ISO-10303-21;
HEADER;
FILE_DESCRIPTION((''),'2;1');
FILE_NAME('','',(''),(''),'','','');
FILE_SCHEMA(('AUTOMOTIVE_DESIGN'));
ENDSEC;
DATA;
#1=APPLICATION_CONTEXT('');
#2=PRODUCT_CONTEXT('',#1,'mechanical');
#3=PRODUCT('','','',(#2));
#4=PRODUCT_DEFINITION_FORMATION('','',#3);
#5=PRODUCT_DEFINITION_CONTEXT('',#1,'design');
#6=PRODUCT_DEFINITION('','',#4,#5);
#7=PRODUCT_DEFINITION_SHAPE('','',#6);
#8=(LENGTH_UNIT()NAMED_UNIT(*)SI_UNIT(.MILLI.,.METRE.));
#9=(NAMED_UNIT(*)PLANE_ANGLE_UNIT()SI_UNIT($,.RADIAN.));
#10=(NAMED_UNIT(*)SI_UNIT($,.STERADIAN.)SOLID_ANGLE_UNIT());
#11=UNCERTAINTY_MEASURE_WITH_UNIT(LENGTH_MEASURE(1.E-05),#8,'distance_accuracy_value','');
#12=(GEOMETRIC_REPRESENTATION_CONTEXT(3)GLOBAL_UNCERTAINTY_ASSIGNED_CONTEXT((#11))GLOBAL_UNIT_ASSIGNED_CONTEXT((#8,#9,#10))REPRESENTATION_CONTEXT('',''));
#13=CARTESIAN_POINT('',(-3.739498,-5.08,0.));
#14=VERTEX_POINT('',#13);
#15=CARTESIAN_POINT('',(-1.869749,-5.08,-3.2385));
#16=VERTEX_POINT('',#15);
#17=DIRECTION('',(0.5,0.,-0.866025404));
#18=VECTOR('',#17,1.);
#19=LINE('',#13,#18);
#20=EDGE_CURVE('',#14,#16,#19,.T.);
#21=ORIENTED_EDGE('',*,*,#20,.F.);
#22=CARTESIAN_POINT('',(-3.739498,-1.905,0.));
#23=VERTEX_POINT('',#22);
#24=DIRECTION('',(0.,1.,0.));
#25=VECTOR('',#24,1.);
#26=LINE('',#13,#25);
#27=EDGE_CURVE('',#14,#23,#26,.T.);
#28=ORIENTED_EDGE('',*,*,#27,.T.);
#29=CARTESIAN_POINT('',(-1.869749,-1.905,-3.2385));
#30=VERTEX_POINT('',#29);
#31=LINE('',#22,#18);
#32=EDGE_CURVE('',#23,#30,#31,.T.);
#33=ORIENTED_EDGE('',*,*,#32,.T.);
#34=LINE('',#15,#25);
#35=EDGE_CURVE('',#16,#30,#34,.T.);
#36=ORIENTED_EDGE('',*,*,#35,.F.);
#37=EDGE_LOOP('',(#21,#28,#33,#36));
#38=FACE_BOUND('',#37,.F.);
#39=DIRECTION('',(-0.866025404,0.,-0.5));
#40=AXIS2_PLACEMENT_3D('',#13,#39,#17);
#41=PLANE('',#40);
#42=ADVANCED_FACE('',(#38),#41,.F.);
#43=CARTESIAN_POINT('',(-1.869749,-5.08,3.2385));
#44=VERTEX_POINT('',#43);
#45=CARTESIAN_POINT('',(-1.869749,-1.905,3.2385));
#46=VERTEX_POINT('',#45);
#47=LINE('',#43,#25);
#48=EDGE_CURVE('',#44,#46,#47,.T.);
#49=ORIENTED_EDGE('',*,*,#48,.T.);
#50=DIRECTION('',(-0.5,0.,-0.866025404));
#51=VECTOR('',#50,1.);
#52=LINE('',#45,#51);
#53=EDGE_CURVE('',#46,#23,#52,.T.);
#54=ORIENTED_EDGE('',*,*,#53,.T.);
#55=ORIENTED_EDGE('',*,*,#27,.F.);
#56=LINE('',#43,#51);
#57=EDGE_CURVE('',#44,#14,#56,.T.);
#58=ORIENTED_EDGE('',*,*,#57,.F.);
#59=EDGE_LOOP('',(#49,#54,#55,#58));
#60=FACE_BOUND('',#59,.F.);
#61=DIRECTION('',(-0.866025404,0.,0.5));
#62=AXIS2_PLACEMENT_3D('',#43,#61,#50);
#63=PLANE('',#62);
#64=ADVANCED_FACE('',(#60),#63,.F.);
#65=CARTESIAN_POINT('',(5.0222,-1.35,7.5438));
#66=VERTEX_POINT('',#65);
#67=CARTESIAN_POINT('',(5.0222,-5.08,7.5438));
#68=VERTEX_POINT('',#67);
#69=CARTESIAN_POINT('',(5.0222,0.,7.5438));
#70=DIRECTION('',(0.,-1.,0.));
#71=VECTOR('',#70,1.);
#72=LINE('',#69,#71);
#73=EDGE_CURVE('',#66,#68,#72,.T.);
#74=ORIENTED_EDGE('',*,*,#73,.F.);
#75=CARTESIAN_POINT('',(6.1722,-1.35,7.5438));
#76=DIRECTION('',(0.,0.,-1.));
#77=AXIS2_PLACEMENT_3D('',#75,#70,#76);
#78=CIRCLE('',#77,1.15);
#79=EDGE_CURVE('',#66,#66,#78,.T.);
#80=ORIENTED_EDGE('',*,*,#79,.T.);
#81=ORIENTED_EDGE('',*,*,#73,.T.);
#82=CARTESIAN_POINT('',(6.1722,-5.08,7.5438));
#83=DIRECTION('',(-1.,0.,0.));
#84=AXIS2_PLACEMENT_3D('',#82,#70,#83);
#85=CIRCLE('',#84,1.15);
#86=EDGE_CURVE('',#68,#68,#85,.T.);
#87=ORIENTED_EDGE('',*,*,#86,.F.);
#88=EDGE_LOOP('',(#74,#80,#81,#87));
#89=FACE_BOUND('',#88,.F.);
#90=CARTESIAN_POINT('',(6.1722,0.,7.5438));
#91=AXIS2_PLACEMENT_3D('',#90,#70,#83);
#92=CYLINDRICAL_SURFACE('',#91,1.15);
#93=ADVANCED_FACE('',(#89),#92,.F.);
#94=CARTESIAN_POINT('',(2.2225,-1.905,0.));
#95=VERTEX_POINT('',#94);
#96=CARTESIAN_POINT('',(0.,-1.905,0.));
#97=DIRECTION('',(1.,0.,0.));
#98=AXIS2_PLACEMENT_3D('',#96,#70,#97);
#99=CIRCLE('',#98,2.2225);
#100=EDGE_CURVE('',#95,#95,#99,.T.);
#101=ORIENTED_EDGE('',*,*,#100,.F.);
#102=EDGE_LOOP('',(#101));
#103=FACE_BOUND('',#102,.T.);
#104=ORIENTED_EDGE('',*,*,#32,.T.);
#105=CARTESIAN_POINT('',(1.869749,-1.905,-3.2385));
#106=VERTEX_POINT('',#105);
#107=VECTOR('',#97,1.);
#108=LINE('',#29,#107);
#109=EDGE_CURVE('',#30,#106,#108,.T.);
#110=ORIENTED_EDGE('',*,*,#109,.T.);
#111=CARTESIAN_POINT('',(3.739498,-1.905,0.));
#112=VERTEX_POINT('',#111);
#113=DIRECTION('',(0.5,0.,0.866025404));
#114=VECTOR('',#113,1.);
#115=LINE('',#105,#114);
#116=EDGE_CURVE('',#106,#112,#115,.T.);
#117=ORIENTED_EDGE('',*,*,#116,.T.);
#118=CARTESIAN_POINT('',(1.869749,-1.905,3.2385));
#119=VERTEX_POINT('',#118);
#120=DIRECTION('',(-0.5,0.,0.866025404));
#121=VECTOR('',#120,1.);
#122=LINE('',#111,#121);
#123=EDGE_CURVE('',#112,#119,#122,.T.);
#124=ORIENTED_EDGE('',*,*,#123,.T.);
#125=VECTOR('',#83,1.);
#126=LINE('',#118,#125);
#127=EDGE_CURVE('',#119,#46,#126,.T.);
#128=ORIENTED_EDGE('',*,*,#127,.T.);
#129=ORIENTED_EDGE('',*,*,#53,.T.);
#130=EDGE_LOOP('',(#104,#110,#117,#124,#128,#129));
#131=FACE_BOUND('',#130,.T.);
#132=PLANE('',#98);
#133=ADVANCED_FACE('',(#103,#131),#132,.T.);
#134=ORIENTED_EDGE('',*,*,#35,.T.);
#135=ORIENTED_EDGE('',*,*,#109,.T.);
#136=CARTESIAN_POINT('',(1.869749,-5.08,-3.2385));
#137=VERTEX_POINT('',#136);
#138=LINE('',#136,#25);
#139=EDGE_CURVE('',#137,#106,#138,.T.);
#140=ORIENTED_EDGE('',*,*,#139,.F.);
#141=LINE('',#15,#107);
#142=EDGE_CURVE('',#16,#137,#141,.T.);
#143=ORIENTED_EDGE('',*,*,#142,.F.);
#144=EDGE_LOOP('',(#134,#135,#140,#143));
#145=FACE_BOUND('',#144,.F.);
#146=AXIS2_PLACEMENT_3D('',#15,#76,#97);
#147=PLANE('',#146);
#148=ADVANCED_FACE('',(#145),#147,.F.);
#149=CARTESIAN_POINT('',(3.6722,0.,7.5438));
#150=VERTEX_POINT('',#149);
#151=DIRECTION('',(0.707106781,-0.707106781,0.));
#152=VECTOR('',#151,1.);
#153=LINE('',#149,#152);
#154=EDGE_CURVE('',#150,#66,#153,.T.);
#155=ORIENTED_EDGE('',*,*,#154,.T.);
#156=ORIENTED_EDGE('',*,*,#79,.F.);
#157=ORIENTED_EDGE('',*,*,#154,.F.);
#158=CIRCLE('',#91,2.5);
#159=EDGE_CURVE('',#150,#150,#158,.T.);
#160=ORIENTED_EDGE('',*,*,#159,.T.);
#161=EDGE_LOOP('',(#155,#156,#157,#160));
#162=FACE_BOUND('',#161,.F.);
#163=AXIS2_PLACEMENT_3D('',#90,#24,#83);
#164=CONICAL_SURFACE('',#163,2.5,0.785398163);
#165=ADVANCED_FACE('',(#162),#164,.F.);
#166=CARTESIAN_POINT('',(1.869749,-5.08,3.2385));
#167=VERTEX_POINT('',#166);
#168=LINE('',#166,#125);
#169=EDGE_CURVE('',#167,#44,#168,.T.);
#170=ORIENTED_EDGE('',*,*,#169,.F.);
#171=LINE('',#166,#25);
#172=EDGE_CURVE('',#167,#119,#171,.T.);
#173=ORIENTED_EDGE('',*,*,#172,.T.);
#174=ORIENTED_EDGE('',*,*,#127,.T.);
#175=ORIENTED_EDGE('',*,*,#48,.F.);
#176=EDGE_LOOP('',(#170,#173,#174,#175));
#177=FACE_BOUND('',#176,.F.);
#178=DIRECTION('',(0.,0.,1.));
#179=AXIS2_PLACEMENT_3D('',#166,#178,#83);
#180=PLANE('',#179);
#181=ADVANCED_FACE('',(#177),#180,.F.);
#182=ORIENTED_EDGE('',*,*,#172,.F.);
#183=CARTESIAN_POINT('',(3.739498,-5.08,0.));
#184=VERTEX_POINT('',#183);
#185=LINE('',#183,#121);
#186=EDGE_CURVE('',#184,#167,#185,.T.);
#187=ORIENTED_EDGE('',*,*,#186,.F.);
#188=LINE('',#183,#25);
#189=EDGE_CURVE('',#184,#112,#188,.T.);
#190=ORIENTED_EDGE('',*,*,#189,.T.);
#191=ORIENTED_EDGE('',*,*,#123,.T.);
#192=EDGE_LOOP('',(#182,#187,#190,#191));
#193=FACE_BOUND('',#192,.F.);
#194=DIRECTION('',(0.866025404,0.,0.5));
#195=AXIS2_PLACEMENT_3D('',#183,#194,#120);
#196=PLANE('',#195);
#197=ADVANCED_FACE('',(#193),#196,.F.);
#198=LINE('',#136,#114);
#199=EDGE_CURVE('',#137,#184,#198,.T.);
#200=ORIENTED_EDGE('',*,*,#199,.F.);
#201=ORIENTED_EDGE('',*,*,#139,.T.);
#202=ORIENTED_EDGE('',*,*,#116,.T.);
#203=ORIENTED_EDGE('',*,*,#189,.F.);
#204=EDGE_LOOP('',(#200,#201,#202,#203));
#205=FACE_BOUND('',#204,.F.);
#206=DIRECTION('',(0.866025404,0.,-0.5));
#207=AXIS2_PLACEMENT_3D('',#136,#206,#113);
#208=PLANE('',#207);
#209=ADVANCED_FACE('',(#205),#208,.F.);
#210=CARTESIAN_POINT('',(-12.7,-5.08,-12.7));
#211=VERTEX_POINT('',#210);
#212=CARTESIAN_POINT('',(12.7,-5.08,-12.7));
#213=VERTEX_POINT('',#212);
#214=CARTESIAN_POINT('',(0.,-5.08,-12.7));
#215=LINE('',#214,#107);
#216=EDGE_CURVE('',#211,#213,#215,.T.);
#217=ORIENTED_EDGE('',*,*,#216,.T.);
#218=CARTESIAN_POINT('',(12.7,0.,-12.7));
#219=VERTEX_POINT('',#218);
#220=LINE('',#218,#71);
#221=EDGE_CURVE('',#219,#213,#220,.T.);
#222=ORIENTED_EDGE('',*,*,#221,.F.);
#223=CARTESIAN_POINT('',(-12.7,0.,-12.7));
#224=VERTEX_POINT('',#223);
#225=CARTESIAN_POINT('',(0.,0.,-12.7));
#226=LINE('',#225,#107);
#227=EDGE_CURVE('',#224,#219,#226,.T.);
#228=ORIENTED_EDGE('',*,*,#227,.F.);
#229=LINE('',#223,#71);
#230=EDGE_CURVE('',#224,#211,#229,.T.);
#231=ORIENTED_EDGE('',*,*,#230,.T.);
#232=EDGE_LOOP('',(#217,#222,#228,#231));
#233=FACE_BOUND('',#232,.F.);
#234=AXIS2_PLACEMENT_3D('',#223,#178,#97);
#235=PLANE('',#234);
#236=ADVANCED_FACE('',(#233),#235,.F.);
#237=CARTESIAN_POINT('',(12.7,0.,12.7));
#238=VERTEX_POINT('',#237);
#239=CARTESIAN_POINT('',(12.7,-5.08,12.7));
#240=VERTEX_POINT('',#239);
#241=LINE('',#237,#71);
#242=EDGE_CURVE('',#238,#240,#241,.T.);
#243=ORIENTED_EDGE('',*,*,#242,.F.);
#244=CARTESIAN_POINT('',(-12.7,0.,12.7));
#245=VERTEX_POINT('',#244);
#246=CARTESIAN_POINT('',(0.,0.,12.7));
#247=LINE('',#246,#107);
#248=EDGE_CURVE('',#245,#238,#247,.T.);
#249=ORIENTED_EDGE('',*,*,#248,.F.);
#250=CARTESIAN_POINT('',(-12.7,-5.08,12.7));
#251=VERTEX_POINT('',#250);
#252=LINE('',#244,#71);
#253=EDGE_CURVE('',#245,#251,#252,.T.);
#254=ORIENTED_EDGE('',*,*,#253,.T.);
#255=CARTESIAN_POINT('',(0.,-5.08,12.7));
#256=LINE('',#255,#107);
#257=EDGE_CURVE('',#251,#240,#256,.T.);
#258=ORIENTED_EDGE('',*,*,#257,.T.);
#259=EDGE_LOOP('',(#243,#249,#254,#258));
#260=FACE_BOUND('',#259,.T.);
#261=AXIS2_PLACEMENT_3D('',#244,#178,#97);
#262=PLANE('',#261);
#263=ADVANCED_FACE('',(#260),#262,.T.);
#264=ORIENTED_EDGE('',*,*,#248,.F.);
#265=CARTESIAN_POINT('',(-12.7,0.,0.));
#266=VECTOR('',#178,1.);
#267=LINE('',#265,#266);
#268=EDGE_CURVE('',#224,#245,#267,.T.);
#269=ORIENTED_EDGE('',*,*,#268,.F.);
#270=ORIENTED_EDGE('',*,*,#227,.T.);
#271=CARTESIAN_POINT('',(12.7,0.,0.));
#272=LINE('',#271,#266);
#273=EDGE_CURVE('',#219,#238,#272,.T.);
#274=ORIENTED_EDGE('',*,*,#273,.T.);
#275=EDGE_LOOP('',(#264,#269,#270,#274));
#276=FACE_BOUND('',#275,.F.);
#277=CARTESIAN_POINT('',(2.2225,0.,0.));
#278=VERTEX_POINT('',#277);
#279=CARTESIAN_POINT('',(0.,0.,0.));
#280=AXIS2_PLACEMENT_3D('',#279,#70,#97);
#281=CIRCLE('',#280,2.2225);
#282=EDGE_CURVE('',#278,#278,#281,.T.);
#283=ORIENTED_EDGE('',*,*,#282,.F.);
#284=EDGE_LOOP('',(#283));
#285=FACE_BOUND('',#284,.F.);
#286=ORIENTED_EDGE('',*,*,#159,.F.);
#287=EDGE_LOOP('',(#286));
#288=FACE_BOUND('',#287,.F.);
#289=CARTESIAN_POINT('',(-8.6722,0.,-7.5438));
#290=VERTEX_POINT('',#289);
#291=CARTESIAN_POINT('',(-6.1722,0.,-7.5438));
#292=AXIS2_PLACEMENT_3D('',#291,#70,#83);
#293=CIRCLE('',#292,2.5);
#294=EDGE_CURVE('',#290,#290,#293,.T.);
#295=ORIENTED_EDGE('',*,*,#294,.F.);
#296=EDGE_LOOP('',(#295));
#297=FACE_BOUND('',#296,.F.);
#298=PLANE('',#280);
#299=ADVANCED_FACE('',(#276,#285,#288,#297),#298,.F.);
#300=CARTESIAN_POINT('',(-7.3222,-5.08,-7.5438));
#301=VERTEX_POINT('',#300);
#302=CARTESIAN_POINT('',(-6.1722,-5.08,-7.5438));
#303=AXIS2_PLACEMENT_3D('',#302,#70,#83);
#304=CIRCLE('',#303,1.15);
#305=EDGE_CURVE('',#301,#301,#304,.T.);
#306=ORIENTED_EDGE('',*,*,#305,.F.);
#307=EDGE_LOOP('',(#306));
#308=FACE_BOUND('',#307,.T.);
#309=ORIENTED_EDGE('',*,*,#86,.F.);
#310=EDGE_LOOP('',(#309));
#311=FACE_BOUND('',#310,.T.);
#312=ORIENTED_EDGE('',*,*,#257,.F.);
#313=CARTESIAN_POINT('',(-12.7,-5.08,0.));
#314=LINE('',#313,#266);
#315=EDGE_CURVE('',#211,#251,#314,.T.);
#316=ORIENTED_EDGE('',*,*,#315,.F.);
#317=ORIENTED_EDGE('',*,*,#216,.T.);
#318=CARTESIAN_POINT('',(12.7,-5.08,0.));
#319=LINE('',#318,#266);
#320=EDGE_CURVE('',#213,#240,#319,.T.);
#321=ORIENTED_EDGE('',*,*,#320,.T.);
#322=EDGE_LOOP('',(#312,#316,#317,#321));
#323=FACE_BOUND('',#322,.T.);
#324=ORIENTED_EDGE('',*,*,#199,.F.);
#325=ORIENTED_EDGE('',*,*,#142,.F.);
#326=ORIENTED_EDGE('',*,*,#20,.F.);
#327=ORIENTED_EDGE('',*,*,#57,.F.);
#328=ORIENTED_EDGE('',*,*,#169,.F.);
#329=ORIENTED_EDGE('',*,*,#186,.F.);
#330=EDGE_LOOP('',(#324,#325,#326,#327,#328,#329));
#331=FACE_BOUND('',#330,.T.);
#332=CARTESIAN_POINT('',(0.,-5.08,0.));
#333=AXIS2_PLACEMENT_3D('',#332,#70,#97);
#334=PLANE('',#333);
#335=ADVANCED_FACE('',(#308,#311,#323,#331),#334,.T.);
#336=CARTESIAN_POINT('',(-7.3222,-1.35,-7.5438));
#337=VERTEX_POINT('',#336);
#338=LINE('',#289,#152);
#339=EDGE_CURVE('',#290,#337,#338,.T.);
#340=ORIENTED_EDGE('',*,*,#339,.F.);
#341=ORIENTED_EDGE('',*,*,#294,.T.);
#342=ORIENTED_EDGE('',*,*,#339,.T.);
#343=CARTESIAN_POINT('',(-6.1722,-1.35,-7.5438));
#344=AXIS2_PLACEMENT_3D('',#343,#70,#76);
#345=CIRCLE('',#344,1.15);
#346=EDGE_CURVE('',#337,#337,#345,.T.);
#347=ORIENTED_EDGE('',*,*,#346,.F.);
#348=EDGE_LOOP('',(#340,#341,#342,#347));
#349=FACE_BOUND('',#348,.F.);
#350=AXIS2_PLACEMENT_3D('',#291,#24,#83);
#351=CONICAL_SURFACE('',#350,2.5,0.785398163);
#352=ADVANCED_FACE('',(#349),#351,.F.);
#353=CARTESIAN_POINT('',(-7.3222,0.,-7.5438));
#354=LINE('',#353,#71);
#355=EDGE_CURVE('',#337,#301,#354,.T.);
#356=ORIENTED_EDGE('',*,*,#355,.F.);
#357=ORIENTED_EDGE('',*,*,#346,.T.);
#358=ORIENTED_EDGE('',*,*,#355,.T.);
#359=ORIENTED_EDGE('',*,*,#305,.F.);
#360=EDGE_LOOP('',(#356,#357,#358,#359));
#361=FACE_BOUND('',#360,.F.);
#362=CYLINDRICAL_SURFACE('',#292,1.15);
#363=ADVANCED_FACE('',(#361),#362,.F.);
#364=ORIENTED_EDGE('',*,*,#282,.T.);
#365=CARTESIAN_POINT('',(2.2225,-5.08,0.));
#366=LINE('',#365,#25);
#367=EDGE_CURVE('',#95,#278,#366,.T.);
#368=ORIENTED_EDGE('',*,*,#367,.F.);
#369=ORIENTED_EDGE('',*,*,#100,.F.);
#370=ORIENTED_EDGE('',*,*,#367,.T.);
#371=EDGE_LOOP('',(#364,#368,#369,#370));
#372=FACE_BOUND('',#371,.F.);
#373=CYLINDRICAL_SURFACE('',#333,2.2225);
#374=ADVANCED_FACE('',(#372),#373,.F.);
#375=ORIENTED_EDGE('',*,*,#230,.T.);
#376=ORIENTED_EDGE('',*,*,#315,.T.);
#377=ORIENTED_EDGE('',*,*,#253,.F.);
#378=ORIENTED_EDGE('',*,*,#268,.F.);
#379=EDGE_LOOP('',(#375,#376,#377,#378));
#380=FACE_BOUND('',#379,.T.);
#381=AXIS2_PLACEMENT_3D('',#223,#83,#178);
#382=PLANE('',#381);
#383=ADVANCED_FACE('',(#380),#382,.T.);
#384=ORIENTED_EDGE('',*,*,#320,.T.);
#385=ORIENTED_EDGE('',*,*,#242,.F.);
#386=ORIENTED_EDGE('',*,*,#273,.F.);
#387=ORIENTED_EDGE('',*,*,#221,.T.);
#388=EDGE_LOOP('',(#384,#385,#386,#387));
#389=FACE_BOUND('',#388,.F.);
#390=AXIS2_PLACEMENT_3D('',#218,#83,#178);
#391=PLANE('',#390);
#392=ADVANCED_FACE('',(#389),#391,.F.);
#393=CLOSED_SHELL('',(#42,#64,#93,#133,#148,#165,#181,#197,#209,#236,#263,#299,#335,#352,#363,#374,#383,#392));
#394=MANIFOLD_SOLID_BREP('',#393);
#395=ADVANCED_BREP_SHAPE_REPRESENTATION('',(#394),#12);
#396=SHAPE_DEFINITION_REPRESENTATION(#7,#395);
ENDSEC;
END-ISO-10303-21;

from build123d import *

# Parameters (mm, degrees)
F0_W           = 25.4
F0_H           = 25.4
F1_DEPTH       = 5.08
F3_D           = 2.3
F3_CSINK_D     = 5
F3_CSINK_ANGLE = 90
F5_DEPTH       = 3.175
F6_R           = 2.2225
F7_DEPTH       = 5.081


with BuildPart() as f1:
    # F0 (on Front) → F1 (new body)
    with BuildSketch(Plane.XZ):
        Rectangle(F0_W, F0_H)
    extrude(amount=F1_DEPTH)

    # F3 (through all)
    with Locations(Plane(origin=(0, 0, 0), x_dir=(1, 0, 0), z_dir=(0, 1, 0))):
        with Locations((6.1722, -7.5438), (-6.1722, 7.5438)):
            CounterSinkHole(F3_D / 2, F3_CSINK_D / 2, counter_sink_angle=F3_CSINK_ANGLE)

    # F4 (on face) → F5 (cut)
    with BuildSketch(Plane.XZ.offset(5.08)):
        Polygon((3.7394976935, 0), (1.8697488468, 3.2385), (-1.8697488468, 3.2385), (-3.7394976935, 0), (-1.8697488468, -3.2385), (1.8697488468, -3.2385), align=None)
    extrude(amount=-F5_DEPTH, mode=Mode.SUBTRACT)

    # F6 (on face) → F7 (cut, through all)
    with BuildSketch(Plane.XZ.offset(5.08)):
        Circle(F6_R)
    extrude(amount=-F7_DEPTH, mode=Mode.SUBTRACT)


solid = f1.part
